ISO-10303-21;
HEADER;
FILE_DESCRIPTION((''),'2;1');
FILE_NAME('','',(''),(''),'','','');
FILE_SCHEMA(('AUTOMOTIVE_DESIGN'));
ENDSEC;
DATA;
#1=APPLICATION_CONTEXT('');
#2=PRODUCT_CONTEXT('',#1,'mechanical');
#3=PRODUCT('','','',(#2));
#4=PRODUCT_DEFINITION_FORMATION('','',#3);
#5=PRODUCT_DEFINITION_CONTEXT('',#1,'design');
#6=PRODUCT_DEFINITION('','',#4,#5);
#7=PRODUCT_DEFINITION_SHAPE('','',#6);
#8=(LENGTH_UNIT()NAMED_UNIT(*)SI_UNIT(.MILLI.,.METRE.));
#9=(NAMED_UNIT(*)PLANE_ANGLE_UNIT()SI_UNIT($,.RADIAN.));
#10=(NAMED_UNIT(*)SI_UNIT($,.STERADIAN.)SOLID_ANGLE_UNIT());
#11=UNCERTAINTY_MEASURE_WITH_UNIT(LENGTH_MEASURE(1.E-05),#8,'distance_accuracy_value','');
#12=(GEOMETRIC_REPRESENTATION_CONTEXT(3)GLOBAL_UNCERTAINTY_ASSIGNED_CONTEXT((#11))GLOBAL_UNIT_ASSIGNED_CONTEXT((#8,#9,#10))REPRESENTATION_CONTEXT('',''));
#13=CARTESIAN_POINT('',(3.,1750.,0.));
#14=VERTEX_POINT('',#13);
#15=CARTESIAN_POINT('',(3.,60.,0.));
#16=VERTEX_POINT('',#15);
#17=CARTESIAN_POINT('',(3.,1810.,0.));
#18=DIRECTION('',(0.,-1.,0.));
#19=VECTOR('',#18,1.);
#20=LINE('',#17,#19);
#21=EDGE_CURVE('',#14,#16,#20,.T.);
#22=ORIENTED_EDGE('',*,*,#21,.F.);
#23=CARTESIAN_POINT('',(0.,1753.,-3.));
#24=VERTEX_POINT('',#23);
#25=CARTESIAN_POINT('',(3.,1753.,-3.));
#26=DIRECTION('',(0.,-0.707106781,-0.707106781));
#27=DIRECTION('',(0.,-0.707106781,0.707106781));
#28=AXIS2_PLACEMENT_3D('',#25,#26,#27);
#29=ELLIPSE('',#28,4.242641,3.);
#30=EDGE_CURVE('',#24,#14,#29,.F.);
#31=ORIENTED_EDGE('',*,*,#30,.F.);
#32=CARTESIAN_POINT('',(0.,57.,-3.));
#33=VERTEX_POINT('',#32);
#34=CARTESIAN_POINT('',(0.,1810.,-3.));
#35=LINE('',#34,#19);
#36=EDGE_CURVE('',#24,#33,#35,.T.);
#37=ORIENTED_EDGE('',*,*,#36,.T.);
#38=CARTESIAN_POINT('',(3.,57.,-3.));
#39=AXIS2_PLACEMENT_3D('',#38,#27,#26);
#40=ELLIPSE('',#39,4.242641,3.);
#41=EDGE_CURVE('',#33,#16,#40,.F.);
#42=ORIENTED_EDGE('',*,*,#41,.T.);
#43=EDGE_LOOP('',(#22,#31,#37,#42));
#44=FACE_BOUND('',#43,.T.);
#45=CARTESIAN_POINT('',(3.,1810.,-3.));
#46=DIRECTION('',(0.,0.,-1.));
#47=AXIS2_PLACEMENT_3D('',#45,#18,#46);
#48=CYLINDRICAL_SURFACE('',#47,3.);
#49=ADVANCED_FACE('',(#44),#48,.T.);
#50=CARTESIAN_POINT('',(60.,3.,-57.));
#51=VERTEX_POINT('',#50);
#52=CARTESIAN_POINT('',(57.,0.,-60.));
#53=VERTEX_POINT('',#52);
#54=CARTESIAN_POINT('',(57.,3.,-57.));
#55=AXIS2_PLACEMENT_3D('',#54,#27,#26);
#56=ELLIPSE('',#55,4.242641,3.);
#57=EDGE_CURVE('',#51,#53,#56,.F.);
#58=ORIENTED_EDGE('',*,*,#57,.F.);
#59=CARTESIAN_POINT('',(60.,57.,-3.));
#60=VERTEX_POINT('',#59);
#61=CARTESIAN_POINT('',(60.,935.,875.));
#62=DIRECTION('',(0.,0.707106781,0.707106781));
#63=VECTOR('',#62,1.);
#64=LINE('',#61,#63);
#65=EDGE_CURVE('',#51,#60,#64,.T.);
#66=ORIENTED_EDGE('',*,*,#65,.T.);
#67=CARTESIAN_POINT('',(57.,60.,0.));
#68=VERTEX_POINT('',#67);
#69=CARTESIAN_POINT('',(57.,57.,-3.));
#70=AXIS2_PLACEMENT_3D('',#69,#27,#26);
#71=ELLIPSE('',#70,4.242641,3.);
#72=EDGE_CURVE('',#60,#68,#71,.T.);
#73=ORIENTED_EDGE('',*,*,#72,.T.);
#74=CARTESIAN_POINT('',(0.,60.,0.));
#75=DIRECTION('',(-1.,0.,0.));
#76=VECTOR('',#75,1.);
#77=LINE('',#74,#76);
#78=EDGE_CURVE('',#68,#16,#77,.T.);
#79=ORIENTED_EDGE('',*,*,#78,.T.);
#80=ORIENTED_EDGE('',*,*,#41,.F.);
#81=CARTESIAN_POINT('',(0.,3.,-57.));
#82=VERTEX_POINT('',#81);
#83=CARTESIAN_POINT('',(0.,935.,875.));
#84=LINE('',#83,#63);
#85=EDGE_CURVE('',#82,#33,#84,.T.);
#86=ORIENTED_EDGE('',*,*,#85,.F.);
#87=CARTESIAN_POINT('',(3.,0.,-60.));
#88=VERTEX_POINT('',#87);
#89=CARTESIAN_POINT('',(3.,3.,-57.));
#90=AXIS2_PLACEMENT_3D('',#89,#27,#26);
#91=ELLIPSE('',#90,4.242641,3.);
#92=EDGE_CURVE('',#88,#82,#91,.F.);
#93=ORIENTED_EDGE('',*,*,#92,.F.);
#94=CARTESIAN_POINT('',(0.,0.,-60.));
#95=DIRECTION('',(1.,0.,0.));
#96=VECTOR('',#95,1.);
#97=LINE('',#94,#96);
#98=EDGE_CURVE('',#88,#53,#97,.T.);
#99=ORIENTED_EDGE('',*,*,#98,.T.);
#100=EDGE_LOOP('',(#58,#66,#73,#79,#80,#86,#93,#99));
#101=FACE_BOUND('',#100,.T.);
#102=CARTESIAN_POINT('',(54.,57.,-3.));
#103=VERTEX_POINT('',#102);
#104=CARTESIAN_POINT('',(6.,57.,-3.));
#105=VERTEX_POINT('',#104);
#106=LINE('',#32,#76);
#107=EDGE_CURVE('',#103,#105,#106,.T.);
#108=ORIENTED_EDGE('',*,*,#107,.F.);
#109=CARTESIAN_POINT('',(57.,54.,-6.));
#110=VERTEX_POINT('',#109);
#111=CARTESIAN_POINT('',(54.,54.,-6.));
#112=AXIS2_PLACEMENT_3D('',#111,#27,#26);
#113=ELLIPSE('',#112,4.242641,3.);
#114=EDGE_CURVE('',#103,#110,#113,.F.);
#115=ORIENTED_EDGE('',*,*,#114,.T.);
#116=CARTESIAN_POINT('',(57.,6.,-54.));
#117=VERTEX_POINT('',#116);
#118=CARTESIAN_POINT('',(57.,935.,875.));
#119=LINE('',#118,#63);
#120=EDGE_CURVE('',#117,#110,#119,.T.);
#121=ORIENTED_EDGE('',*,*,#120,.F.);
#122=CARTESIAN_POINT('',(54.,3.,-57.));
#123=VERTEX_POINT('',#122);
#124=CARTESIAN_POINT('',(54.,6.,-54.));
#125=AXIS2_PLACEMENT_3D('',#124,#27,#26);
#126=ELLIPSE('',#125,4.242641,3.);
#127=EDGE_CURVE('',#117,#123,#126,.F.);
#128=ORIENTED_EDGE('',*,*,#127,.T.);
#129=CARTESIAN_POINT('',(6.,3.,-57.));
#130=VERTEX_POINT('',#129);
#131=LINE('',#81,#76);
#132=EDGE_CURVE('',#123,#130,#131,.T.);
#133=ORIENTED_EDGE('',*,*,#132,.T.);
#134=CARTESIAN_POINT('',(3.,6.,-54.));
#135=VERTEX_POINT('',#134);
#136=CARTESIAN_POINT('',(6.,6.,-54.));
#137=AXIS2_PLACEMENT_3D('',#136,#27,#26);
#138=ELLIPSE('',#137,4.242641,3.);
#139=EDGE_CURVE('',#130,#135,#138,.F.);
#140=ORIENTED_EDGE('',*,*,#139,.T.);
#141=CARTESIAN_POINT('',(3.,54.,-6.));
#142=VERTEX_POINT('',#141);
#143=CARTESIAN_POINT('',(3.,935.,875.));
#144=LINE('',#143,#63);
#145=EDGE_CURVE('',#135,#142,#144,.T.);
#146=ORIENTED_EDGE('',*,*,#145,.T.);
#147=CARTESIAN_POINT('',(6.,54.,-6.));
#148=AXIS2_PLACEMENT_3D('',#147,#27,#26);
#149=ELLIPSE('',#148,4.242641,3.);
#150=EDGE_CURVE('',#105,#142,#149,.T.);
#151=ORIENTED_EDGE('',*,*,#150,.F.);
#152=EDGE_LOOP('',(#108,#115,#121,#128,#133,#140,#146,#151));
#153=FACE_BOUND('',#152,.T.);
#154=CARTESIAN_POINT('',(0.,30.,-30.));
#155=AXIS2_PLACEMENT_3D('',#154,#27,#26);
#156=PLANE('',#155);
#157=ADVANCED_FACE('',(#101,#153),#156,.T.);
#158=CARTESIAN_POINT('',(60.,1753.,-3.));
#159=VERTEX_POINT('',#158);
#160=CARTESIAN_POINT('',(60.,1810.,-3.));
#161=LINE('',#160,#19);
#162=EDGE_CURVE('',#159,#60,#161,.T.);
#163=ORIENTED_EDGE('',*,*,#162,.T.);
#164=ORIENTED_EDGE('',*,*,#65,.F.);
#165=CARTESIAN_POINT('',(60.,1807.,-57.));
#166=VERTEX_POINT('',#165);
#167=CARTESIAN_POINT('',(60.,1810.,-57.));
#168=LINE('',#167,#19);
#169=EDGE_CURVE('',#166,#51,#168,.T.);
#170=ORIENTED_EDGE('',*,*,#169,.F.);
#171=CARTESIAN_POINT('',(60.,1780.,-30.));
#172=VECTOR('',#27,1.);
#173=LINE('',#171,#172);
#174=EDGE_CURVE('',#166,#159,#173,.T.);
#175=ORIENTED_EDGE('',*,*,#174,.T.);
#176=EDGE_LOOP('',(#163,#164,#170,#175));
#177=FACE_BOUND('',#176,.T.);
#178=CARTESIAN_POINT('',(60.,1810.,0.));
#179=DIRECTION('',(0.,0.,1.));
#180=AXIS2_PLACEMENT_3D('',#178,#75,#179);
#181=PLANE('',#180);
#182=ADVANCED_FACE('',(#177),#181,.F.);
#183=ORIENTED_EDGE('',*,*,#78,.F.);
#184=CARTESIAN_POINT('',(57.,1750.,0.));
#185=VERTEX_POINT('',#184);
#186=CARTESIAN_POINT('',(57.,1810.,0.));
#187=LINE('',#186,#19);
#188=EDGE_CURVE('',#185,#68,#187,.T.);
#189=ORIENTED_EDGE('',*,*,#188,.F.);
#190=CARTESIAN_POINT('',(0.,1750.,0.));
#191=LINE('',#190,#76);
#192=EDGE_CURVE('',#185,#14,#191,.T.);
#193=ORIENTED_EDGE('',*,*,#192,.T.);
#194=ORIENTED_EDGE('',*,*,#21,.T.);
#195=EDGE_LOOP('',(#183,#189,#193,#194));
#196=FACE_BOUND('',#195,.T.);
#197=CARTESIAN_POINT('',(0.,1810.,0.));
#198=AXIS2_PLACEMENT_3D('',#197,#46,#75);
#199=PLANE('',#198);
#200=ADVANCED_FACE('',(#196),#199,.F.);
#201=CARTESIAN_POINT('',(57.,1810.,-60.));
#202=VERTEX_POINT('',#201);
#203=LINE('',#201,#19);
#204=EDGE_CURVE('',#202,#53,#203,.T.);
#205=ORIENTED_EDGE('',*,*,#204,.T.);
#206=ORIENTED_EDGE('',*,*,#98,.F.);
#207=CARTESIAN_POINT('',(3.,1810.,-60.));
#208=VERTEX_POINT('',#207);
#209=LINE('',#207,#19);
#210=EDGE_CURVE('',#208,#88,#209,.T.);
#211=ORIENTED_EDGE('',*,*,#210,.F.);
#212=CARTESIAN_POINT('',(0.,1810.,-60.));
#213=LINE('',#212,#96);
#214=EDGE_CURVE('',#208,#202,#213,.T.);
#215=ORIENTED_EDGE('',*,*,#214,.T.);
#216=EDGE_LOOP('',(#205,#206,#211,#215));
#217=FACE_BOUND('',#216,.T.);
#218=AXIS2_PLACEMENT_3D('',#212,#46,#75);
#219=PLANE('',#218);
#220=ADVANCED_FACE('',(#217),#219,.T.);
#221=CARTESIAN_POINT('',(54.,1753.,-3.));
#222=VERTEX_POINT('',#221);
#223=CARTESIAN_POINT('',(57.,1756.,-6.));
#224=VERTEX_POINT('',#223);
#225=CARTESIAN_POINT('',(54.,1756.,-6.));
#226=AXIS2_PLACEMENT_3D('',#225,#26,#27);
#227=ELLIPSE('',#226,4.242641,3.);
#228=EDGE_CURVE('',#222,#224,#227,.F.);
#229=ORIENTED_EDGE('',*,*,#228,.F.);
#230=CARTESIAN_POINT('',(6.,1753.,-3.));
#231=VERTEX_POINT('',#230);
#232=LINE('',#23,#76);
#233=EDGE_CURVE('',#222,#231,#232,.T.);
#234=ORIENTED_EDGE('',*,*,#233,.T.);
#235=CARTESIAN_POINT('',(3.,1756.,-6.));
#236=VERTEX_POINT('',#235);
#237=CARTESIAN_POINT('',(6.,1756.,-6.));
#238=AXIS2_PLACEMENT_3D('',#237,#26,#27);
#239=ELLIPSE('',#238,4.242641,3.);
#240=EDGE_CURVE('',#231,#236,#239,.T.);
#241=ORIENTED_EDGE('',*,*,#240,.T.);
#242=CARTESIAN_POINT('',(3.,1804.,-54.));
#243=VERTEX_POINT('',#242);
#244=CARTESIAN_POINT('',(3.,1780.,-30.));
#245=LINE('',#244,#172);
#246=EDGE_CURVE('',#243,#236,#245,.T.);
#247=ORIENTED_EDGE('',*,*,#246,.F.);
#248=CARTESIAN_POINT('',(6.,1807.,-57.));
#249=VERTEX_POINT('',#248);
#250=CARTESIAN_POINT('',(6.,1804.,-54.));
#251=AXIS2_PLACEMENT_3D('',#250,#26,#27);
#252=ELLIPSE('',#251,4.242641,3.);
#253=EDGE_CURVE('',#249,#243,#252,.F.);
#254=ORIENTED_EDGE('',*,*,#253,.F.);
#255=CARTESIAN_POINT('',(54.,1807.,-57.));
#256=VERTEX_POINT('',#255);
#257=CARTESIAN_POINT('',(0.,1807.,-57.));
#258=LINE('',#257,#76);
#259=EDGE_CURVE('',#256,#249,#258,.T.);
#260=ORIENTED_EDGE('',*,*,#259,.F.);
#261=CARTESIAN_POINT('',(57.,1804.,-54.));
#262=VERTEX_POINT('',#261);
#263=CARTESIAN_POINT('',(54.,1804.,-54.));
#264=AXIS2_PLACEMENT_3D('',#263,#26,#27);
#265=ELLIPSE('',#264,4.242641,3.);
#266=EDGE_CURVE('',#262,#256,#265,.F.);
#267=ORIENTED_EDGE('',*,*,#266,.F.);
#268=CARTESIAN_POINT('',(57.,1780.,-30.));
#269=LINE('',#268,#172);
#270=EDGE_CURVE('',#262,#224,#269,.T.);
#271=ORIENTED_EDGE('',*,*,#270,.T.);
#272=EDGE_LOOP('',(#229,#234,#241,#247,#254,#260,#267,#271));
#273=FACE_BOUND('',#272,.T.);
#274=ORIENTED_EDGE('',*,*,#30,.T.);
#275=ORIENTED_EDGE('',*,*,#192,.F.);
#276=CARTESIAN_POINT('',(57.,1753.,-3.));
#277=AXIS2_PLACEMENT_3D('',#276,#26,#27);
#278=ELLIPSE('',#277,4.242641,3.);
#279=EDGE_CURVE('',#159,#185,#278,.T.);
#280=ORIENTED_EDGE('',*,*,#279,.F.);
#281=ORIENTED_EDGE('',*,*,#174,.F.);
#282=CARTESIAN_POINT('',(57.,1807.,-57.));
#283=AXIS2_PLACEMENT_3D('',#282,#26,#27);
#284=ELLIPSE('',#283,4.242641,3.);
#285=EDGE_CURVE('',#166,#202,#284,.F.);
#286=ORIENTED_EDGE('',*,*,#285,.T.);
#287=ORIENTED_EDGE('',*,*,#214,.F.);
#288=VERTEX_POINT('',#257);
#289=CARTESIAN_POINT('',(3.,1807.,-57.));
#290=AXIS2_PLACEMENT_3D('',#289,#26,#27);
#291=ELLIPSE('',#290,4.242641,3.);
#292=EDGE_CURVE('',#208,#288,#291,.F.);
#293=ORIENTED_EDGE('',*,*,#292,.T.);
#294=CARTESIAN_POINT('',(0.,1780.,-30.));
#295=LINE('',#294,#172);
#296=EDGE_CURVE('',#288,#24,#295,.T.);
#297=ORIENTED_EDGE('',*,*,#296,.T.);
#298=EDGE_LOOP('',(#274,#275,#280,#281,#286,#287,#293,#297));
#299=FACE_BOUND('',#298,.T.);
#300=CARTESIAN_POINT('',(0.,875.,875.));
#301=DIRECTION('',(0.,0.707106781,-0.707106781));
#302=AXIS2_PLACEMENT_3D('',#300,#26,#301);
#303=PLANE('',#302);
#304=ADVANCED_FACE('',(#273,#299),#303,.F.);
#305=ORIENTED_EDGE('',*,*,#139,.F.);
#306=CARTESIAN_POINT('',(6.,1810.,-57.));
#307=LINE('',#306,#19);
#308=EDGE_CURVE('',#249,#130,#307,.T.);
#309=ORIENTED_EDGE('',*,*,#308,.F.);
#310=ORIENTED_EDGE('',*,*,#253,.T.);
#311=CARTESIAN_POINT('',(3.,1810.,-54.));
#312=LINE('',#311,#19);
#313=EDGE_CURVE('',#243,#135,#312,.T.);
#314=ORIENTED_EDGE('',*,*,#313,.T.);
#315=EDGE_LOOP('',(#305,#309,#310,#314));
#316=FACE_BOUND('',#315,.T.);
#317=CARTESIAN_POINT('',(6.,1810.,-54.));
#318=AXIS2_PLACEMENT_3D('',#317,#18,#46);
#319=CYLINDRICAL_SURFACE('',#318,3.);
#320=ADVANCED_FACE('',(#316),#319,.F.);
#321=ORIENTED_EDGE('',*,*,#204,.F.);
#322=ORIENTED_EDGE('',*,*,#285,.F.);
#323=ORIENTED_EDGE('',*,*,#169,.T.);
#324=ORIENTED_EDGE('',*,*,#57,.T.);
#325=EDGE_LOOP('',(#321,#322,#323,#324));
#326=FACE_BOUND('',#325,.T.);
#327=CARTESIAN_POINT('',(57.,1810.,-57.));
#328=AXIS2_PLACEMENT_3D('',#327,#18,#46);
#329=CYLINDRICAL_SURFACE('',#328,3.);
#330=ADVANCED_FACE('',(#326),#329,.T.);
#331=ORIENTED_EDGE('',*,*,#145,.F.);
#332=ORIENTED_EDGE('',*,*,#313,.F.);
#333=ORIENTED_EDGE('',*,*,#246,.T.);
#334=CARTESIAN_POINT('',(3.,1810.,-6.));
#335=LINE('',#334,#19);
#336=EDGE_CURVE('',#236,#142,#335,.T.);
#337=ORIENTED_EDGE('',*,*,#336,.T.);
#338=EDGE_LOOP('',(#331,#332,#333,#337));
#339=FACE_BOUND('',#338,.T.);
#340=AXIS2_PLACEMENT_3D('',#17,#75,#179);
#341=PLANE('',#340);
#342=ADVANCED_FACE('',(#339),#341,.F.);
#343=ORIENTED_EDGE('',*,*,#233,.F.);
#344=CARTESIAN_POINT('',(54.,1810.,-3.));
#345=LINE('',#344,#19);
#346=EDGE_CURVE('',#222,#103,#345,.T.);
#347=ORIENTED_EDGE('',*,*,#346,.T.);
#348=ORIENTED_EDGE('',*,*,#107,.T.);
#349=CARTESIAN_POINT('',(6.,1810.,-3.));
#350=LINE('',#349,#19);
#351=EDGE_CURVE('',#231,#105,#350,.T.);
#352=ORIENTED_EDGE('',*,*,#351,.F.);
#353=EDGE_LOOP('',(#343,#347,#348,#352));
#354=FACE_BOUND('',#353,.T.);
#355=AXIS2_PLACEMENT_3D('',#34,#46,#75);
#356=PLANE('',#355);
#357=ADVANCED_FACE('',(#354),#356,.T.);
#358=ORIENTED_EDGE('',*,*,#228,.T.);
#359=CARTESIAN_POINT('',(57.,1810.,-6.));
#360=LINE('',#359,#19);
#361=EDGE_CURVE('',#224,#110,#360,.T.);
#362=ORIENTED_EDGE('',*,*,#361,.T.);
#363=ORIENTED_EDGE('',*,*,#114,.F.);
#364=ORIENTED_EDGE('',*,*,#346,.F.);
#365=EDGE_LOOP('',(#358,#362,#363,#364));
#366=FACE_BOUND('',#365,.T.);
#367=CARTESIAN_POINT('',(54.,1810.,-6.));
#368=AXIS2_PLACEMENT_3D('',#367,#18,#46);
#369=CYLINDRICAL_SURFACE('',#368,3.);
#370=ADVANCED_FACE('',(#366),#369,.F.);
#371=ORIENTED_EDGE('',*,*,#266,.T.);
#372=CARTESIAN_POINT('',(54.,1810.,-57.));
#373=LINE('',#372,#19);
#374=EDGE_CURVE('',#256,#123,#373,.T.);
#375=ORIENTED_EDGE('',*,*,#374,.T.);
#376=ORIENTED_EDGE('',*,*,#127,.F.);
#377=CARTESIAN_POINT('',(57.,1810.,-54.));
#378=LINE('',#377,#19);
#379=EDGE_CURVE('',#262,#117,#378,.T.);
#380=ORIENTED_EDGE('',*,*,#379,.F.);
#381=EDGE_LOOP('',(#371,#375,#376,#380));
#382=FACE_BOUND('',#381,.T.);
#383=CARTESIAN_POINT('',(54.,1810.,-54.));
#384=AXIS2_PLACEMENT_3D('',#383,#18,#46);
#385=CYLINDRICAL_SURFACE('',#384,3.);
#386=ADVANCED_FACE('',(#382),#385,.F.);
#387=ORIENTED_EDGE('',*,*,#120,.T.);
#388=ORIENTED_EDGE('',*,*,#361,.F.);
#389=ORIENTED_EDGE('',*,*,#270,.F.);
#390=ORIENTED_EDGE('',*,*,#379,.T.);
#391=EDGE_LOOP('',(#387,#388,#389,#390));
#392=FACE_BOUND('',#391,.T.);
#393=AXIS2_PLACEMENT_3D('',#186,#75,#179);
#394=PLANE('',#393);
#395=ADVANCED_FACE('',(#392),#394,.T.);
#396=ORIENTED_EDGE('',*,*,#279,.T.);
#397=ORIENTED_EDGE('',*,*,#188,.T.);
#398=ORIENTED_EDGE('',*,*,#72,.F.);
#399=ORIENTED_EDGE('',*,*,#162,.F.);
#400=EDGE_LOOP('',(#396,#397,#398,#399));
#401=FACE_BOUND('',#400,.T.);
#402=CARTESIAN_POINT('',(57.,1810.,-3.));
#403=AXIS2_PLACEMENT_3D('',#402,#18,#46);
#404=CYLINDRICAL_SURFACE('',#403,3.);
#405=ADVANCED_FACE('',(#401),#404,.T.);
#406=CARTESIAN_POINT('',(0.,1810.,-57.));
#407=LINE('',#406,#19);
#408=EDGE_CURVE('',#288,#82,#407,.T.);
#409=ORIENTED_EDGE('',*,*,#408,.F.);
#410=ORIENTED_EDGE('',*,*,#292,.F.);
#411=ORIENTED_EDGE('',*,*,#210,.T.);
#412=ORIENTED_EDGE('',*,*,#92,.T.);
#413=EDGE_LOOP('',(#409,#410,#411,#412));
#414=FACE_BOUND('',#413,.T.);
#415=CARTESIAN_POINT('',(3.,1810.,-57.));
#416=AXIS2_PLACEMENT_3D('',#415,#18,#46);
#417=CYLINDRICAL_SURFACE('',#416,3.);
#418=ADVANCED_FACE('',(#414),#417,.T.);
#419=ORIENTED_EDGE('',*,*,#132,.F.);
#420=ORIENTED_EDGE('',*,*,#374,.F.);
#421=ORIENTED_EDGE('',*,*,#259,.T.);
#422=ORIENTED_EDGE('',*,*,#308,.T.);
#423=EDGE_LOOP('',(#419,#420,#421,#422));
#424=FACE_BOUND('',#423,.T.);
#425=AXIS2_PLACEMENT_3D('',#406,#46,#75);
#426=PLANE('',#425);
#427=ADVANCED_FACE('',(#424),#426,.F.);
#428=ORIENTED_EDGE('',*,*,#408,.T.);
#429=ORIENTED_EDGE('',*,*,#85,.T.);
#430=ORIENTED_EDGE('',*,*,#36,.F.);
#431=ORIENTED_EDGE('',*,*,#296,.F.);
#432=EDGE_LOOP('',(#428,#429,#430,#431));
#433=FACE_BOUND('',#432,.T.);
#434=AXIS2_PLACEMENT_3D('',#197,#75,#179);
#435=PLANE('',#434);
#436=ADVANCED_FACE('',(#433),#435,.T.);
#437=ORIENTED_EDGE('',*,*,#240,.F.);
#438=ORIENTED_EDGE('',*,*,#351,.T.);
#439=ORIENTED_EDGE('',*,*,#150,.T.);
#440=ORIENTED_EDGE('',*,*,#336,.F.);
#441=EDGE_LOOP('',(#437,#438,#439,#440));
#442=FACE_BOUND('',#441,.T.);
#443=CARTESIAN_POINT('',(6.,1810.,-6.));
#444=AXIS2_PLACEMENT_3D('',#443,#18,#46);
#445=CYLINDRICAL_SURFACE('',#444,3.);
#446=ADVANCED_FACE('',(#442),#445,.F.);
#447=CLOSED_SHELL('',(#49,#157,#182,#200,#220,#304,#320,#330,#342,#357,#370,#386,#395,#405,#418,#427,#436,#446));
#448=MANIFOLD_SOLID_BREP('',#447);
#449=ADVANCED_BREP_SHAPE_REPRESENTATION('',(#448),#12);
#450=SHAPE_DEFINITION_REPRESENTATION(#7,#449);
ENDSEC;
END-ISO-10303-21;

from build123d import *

# Parameters (mm, degrees)
DODANIE_WYCI_GNI_CIE1_DEPTH = 1810
SZKIC2_W                    = 172.684782789
SZKIC2_H                    = 104.540186521
WYTNIJ_WYCI_GNI_CIE1_DEPTH  = 1324.650255921
SZKIC3_W                    = 177.628833627
SZKIC3_H                    = 120.563010223
WYTNIJ_WYCI_GNI_CIE2_DEPTH  = 1782.263596439


with BuildPart() as part:
    # Szkic1 → Dodanie-wyciągnięcie1 (new body)
    with BuildSketch(Plane(origin=(0, 0, 0), x_dir=(1, 0, 0), z_dir=(0, 1, 0))):
        with BuildLine():
            ThreePointArc((0, 57), (0.878679656, 59.121320344), (3, 60))
            Line((3, 60), (57, 60))
            ThreePointArc((57, 60), (59.121320344, 59.121320344), (60, 57))
            Line((60, 57), (60, 3))
            ThreePointArc((60, 3), (59.121320344, 0.878679656), (57, 0))
            Line((57, 0), (3, 0))
            ThreePointArc((3, 0), (0.878679656, 0.878679656), (0, 3))
            Line((0, 3), (0, 57))
        make_face()
        with BuildLine():
            Line((3, 6), (3, 54))
            ThreePointArc((3, 54), (3.878679656, 56.121320344), (6, 57))
            Line((6, 57), (54, 57))
            ThreePointArc((54, 57), (56.121320344, 56.121320344), (57, 54))
            Line((57, 54), (57, 6))
            ThreePointArc((57, 6), (56.121320344, 3.878679656), (54, 3))
            Line((54, 3), (6, 3))
            ThreePointArc((6, 3), (3.878679656, 3.878679656), (3, 6))
        make_face(mode=Mode.SUBTRACT)
    extrude(amount=DODANIE_WYCI_GNI_CIE1_DEPTH)

    # Szkic2 → Wytnij-wyciągnięcie1 (cut, through all)
    with BuildSketch(Plane(origin=(0, 875, 875), x_dir=(1, 0, 0), z_dir=(0, 0.7071067811865464, 0.7071067811865488))):
        with Locations((31.260805739, 1283.757898566)):
            Rectangle(SZKIC2_W, SZKIC2_H)
    extrude(amount=WYTNIJ_WYCI_GNI_CIE1_DEPTH, mode=Mode.SUBTRACT)

    # Szkic3 → Wytnij-wyciągnięcie2 (cut, through all)
    with BuildSketch(Plane(origin=(0, 30, -30), x_dir=(1, 0, 0), z_dir=(0, -0.7071067811865464, 0.7071067811865488))):
        with Locations((21.62509475, 2.040675712)):
            Rectangle(SZKIC3_W, SZKIC3_H)
    extrude(amount=WYTNIJ_WYCI_GNI_CIE2_DEPTH, mode=Mode.SUBTRACT)


solid = part.part
